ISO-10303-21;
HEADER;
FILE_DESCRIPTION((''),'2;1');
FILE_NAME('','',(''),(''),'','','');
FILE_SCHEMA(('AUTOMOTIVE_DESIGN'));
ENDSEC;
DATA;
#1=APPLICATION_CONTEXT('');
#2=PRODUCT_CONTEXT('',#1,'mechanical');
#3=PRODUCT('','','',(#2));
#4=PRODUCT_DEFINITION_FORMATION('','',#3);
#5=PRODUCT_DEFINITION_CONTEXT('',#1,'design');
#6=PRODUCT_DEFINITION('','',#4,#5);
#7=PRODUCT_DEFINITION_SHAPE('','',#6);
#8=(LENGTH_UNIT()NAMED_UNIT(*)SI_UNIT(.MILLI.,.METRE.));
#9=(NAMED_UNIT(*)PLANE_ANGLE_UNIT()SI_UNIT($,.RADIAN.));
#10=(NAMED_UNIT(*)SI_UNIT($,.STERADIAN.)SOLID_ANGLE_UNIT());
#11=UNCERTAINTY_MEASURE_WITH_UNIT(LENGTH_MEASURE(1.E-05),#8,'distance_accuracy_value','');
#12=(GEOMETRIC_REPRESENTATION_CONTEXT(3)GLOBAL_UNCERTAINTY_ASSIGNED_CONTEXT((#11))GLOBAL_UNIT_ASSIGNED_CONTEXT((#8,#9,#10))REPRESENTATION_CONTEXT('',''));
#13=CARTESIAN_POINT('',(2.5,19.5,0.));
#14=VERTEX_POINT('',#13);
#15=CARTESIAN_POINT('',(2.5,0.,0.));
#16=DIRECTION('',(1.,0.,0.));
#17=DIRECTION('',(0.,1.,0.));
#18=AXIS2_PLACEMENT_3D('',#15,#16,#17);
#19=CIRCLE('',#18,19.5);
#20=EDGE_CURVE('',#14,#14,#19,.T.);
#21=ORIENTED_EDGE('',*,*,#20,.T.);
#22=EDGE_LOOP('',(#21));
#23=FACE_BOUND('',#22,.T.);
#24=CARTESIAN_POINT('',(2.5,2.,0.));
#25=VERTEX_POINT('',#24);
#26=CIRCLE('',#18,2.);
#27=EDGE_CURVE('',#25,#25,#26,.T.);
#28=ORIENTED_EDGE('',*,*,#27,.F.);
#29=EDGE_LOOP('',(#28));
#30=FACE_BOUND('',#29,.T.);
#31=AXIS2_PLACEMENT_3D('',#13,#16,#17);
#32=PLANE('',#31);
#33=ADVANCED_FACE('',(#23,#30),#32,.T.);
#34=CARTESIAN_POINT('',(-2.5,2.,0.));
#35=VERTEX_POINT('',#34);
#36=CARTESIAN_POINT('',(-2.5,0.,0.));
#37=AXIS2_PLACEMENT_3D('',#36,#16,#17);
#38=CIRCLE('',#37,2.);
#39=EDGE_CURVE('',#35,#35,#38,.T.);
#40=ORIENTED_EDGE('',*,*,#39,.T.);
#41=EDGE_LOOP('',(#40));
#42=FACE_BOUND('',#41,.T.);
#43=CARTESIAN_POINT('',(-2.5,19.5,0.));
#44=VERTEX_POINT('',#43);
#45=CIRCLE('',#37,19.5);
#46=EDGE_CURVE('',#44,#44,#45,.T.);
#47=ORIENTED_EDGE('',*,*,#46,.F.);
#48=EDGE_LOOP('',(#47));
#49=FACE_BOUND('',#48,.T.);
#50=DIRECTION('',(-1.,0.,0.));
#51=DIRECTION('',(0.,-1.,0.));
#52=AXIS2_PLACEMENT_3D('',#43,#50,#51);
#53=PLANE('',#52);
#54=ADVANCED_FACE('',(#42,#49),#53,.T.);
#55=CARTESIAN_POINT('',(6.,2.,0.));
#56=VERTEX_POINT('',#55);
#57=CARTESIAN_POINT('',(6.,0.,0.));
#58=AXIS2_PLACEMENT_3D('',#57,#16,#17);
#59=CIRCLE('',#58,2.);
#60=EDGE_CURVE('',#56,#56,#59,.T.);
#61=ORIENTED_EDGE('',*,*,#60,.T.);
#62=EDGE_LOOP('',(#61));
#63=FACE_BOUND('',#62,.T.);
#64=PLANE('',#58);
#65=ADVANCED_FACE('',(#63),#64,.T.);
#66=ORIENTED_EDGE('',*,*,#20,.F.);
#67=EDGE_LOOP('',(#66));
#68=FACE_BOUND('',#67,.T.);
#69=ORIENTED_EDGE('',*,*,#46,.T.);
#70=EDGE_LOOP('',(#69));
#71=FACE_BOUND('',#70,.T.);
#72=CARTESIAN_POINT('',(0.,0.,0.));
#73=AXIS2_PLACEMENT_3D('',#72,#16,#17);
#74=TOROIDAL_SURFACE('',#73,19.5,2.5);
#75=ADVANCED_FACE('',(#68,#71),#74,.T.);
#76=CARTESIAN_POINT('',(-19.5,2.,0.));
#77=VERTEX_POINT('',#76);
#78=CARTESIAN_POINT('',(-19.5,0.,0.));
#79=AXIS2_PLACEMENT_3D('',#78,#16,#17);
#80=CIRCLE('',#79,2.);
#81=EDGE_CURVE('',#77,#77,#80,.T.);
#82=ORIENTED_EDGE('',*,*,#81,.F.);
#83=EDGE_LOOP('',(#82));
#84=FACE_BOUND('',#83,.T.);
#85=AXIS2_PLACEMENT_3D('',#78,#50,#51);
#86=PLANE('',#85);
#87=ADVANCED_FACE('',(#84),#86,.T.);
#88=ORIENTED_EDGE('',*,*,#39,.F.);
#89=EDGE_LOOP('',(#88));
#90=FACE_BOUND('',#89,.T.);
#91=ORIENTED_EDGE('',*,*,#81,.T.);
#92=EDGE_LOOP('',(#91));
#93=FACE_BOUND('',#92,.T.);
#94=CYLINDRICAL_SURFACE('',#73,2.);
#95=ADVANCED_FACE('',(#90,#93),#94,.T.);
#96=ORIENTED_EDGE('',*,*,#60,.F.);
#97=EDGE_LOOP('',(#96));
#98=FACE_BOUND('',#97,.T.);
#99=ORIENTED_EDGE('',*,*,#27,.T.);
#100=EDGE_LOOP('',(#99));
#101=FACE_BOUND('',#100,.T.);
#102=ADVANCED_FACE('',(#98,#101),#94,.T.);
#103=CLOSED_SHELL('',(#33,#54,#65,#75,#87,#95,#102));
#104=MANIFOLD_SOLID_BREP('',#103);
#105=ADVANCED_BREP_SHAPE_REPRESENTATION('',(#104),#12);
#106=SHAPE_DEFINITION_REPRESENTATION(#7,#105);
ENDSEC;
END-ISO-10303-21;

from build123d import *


with BuildPart() as part:
    # Esquisse1 → Révolution1 (revolve)
    with BuildSketch(Plane.XY):
        with BuildLine():
            Line((-2.5, 19.5), (-2.5, 2))
            Line((-2.5, 2), (-19.5, 2))
            Line((-19.5, 2), (-19.5, 0))
            Line((-19.5, 0), (0, 0))
            Line((0, 0), (6, 0))
            Line((6, 0), (6, 2))
            Line((6, 2), (2.5, 2))
            Line((2.5, 2), (2.5, 19.5))
            ThreePointArc((2.5, 19.5), (0, 22), (-2.5, 19.5))
        make_face()
    revolve(axis=Axis((0, 0, 0), (-1, 0, 0)))


solid = part.part
